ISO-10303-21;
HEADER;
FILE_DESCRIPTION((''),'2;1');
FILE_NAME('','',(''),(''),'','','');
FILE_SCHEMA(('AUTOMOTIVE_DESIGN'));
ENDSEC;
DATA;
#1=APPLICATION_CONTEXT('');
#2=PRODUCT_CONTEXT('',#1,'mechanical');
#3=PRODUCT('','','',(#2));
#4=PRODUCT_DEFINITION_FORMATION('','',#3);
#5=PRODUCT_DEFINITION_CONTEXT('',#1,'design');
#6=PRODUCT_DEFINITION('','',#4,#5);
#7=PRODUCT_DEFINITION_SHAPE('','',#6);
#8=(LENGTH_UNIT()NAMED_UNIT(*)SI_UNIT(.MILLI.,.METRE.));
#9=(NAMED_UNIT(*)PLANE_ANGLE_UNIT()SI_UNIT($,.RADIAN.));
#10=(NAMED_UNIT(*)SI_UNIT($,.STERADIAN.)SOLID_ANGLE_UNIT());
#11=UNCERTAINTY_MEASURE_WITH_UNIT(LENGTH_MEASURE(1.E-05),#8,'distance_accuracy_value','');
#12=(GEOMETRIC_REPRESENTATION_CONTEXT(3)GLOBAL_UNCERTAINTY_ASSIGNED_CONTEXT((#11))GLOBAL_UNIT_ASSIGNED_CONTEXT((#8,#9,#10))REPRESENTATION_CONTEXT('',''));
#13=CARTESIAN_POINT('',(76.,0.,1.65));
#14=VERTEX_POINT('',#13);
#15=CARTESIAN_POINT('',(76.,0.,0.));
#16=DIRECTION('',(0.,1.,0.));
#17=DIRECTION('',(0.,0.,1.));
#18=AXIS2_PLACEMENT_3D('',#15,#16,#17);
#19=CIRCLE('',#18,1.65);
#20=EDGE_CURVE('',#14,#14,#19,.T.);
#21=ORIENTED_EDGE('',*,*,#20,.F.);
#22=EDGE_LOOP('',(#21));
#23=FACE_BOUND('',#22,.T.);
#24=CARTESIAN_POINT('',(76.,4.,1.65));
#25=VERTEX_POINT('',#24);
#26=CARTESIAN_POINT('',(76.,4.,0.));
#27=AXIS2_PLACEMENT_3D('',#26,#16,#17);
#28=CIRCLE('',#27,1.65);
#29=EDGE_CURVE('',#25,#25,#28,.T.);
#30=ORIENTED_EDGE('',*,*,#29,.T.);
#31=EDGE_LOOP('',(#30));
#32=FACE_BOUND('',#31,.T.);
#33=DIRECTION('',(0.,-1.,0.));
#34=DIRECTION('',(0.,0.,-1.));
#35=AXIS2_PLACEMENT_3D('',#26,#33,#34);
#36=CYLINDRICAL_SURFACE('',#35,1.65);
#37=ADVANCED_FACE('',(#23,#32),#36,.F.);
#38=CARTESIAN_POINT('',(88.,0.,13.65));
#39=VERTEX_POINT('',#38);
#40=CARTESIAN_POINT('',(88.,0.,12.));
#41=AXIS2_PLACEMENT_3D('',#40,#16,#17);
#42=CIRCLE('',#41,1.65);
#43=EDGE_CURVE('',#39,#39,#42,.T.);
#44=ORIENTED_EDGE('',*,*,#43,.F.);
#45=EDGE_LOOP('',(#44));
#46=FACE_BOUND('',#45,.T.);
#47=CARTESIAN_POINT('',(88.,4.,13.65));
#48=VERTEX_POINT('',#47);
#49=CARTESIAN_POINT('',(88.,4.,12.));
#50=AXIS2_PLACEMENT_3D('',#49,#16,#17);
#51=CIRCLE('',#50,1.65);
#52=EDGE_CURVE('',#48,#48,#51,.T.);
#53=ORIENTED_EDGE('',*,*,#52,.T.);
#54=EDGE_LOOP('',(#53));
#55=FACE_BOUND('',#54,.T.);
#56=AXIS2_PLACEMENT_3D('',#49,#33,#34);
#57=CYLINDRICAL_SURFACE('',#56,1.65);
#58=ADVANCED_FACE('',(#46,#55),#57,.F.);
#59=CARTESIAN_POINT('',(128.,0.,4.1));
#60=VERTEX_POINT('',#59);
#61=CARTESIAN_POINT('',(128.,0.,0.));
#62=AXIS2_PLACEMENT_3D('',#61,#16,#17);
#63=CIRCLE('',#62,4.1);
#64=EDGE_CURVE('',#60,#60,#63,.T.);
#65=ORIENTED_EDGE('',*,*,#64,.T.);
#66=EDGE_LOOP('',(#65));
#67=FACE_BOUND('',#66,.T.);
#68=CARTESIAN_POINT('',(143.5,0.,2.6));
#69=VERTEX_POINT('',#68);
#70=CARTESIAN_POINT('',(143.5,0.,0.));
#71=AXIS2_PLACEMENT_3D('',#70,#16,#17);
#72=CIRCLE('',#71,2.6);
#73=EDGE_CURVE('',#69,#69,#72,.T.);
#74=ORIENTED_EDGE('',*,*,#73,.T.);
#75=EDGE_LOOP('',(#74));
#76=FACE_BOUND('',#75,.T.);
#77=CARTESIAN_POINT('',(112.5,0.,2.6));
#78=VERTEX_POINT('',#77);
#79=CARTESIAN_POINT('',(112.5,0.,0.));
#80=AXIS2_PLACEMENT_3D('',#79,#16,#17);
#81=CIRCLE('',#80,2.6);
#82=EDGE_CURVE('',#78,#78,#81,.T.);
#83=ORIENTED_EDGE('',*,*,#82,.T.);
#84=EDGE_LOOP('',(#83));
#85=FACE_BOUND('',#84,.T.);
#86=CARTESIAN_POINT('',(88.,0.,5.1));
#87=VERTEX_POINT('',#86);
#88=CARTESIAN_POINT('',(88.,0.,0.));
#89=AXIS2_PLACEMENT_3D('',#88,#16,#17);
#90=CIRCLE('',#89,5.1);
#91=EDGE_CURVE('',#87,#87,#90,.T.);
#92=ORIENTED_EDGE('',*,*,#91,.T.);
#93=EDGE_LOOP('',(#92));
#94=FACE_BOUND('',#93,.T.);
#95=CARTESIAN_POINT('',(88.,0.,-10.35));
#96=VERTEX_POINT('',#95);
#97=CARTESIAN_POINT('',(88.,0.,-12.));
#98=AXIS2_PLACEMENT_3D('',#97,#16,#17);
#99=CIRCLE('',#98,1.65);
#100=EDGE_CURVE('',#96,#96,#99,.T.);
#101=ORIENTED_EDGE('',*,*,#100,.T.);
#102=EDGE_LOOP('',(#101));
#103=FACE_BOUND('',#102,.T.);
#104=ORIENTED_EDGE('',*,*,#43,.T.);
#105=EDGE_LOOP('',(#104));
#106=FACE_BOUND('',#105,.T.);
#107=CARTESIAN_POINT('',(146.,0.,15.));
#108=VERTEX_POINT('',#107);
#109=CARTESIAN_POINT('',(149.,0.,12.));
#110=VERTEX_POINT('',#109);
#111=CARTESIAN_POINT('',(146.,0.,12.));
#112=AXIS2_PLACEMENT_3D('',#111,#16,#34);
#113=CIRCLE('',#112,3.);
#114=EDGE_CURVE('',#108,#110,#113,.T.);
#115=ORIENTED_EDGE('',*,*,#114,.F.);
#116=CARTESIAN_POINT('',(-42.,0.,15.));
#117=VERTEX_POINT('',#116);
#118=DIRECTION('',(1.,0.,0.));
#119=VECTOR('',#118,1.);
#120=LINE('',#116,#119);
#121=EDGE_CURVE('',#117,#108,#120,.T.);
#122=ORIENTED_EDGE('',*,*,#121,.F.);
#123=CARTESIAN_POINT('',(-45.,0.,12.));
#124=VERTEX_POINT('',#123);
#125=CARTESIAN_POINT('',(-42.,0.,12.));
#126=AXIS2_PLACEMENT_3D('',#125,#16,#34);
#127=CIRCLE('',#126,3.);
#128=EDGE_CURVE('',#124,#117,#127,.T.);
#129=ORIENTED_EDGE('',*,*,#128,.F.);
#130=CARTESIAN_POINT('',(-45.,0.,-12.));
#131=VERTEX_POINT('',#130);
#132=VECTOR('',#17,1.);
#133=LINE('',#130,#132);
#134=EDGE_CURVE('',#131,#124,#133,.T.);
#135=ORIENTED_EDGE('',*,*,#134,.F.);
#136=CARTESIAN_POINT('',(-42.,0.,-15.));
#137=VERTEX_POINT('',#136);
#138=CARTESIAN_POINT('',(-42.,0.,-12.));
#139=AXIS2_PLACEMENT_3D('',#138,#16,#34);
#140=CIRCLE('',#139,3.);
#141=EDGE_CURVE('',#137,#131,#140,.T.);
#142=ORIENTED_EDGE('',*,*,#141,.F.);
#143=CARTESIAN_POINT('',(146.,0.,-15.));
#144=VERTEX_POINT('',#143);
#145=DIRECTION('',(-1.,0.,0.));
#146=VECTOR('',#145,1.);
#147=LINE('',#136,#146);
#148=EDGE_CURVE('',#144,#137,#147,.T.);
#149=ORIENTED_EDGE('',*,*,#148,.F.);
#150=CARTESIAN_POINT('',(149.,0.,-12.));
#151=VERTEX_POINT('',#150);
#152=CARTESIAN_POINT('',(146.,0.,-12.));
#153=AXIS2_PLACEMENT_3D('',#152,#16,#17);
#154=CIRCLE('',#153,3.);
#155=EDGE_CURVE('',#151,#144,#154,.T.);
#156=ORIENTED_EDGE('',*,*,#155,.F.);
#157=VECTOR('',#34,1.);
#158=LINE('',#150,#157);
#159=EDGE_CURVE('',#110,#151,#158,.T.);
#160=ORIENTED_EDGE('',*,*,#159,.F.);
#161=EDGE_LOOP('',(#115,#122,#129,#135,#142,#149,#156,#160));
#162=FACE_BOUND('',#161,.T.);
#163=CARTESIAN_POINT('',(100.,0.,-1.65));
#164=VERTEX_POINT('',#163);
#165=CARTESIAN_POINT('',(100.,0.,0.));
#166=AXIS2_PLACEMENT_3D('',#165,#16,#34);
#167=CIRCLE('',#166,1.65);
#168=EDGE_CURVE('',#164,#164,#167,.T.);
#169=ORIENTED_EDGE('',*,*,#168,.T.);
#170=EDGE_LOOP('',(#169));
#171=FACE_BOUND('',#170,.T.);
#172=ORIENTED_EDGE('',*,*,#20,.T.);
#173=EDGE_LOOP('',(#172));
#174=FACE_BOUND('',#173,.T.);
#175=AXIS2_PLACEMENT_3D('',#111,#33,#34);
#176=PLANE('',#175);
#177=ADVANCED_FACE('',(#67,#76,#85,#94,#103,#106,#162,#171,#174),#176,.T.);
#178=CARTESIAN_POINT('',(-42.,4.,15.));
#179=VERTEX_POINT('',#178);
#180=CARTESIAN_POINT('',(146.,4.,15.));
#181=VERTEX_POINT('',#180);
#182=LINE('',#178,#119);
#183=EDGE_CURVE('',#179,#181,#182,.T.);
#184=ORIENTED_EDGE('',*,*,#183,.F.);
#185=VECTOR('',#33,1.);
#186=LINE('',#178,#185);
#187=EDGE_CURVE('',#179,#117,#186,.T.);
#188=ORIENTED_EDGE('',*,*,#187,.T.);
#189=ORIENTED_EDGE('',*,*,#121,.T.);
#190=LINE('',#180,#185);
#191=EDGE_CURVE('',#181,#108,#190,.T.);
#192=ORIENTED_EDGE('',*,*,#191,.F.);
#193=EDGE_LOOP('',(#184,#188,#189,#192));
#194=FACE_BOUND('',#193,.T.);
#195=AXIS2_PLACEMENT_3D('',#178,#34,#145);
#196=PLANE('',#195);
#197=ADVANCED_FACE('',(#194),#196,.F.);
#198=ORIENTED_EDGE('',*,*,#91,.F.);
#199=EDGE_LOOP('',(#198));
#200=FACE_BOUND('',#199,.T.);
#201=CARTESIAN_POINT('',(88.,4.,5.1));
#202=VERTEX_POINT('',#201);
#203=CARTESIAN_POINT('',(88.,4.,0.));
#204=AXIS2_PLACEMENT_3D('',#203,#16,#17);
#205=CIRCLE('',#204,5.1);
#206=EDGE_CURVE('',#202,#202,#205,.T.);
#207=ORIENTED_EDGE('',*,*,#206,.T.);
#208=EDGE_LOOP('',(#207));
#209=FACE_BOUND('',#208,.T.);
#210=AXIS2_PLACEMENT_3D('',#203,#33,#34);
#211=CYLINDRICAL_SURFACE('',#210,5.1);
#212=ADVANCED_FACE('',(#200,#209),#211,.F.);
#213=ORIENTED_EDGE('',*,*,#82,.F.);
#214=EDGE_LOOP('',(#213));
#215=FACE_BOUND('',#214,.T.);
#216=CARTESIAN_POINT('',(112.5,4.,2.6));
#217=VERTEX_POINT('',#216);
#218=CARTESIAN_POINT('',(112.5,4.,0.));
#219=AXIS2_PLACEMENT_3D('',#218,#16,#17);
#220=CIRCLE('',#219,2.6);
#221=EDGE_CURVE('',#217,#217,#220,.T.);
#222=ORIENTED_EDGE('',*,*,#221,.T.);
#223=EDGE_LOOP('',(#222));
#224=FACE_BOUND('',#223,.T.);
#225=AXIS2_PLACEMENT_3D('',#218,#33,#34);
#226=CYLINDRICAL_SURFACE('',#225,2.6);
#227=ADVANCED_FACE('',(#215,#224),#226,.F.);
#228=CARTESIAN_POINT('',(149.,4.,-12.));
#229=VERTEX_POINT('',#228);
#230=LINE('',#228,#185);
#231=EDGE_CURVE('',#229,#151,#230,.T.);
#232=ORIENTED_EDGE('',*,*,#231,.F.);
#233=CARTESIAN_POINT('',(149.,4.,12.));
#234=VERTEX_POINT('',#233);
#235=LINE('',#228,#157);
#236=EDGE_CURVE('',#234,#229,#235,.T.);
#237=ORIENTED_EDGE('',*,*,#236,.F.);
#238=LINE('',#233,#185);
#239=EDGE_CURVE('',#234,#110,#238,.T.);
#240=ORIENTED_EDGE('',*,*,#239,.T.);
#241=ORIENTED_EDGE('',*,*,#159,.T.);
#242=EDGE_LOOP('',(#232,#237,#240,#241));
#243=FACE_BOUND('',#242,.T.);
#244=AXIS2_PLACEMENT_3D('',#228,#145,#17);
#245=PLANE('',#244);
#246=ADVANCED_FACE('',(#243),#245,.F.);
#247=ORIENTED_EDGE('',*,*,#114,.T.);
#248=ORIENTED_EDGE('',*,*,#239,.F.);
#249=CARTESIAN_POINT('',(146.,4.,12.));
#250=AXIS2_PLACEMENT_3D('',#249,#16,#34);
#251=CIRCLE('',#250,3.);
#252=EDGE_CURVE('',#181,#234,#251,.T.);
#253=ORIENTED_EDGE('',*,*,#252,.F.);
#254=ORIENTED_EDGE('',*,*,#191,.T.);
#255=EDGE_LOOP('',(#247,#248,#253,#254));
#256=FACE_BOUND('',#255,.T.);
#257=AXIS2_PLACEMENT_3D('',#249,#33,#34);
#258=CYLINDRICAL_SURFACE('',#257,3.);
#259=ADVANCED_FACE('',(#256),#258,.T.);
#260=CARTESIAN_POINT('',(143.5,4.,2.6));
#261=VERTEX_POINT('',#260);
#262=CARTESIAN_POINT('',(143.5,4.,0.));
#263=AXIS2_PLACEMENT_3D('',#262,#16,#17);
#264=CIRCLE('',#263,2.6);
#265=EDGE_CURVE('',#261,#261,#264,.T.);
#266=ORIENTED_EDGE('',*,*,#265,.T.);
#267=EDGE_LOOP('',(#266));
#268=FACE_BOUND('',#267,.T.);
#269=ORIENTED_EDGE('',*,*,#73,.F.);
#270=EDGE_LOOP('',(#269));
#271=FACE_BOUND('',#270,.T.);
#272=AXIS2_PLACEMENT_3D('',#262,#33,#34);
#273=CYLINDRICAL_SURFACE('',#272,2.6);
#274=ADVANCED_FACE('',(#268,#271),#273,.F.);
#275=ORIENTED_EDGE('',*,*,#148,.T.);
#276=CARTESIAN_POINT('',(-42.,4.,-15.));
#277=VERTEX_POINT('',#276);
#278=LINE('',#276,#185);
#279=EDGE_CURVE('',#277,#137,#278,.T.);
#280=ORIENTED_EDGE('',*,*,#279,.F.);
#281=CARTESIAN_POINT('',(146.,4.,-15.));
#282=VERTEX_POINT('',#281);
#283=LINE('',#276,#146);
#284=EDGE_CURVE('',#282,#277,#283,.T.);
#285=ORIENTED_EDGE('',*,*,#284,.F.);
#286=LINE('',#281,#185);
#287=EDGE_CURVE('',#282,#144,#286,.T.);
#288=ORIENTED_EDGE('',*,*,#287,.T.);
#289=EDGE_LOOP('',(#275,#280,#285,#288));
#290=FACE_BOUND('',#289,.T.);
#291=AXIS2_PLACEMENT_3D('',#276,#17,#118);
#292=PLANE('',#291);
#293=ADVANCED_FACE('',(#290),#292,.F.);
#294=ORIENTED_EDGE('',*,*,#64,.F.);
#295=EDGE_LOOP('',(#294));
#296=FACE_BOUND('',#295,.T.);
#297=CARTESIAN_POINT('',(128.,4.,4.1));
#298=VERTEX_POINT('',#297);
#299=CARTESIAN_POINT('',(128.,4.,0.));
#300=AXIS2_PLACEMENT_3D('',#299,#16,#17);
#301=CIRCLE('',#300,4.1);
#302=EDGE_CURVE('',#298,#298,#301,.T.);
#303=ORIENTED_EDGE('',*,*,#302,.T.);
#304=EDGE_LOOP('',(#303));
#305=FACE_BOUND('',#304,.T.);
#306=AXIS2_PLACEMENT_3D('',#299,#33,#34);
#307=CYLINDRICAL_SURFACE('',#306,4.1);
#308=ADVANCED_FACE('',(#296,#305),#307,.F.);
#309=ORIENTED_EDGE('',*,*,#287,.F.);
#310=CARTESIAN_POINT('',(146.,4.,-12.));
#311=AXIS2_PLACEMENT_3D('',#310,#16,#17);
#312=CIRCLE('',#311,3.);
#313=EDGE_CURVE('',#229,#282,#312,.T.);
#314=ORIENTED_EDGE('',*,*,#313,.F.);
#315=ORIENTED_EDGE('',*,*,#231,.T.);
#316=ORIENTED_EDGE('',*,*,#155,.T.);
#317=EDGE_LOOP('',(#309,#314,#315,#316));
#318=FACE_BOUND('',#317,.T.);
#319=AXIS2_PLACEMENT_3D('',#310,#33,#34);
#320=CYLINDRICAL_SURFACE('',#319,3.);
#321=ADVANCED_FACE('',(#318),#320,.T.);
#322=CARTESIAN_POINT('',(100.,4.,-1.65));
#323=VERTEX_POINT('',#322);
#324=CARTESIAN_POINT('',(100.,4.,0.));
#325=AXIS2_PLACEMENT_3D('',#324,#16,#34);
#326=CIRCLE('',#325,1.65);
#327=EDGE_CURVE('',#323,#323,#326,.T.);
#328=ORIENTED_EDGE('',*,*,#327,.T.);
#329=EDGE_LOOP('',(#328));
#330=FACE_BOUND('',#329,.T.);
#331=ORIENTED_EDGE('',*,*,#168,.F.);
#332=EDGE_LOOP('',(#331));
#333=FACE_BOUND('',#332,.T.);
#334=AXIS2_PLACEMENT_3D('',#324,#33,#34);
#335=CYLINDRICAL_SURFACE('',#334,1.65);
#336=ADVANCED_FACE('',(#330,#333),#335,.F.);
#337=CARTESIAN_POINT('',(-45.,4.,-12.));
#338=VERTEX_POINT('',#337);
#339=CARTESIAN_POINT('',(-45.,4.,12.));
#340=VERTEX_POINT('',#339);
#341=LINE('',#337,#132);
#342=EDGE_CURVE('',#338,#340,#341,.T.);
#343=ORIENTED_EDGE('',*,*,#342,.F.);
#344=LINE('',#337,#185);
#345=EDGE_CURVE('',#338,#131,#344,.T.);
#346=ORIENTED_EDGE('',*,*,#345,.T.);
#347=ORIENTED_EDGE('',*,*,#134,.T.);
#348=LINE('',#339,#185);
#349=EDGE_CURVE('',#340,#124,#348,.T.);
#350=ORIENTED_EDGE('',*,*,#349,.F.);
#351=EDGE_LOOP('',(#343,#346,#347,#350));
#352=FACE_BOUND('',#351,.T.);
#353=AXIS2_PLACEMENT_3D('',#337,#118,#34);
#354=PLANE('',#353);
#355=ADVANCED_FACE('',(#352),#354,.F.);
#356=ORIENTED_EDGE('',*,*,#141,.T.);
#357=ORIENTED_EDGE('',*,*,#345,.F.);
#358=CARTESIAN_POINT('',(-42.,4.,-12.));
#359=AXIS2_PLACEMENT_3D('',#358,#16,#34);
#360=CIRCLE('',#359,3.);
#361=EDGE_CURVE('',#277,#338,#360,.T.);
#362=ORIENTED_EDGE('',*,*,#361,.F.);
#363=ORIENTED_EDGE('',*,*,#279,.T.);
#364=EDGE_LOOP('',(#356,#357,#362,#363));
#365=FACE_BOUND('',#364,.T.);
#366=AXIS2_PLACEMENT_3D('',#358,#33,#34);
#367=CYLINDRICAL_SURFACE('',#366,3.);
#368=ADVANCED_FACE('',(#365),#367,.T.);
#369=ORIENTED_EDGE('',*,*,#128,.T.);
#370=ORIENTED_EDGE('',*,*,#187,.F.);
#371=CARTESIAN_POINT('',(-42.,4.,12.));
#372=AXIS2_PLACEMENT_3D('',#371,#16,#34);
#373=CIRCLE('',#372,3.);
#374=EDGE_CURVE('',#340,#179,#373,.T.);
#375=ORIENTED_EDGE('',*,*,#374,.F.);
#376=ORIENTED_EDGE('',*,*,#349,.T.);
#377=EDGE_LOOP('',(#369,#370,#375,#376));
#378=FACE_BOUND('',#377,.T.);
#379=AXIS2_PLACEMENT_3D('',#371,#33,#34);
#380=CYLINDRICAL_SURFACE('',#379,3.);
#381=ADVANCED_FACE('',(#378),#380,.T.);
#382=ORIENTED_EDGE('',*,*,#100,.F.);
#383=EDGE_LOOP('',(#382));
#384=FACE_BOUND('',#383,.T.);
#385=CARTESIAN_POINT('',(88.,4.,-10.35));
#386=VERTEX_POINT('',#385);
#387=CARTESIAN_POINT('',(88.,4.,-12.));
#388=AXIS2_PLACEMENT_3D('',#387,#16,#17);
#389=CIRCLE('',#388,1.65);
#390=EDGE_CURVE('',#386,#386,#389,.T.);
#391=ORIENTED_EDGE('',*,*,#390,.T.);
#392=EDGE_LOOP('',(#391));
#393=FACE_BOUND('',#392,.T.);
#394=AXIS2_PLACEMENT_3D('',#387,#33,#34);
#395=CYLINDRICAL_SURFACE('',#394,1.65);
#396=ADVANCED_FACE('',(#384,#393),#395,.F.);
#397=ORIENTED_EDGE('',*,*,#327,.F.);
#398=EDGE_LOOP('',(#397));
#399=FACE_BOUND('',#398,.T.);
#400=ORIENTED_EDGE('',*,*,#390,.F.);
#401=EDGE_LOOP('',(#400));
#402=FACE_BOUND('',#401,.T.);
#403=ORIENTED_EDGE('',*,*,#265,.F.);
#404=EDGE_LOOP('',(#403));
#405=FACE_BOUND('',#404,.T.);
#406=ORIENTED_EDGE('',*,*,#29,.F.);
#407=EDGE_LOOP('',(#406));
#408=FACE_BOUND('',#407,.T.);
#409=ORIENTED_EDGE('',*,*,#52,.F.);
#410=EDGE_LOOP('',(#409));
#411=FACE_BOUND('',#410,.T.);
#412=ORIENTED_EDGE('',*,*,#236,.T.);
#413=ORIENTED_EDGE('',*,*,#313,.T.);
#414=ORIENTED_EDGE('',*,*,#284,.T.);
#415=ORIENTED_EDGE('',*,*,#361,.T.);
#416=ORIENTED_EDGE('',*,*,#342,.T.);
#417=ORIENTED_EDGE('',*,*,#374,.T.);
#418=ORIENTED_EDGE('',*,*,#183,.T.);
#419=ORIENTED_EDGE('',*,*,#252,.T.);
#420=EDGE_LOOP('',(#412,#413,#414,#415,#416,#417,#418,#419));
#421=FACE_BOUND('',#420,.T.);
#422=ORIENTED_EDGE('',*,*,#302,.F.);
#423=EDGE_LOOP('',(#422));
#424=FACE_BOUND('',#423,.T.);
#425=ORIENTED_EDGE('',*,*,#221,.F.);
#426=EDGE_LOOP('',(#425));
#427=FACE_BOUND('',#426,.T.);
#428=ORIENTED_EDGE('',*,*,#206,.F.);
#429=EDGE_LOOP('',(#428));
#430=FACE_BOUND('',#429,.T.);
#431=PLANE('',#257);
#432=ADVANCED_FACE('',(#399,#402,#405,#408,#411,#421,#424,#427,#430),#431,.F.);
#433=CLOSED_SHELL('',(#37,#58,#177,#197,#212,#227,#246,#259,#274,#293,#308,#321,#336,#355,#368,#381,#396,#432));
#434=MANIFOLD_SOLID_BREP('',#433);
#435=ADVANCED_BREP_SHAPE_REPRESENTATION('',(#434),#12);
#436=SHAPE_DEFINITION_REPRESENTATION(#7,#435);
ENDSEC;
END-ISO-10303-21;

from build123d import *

# Parameters (mm, degrees)
SKETCH_2_R      = 5.1
SKETCH_2_R_2    = 4.1
SKETCH_2_R_3    = 1.65
SKETCH_2_R_4    = 2.6
EXTRUDE_2_DEPTH = 4


with BuildPart() as part:
    # 草图2 → 凸台-拉伸2 (new body)
    with BuildSketch(Plane(origin=(0, 0, 0), x_dir=(1, 0, 0), z_dir=(0, 1, 0))):
        with BuildLine():
            Line((-42, 15), (146, 15))
            ThreePointArc((146, 15), (148.121320344, 14.121320344), (149, 12))
            Line((149, 12), (149, -12))
            ThreePointArc((149, -12), (148.121320344, -14.121320344), (146, -15))
            Line((146, -15), (-42, -15))
            ThreePointArc((-42, -15), (-44.121320344, -14.121320344), (-45, -12))
            Line((-45, -12), (-45, 12))
            ThreePointArc((-45, 12), (-44.121320344, 14.121320344), (-42, 15))
        make_face()
        with Locations(Location((88, 0, 0), (0, 0, 270))):
            Circle(SKETCH_2_R, mode=Mode.SUBTRACT)
        with Locations(Location((128, 0, 0), (0, 0, 270))):
            Circle(SKETCH_2_R_2, mode=Mode.SUBTRACT)
        with Locations(Location((88, 12, 0), (0, 0, 270))):
            Circle(SKETCH_2_R_3, mode=Mode.SUBTRACT)
        with Locations(Location((88, -12, 0), (0, 0, 270))):
            Circle(SKETCH_2_R_3, mode=Mode.SUBTRACT)
        with Locations(Location((76, 0, 0), (0, 0, 270))):
            Circle(SKETCH_2_R_3, mode=Mode.SUBTRACT)
        with Locations(Location((100, 0, 0), (0, 0, 90))):
            Circle(SKETCH_2_R_3, mode=Mode.SUBTRACT)
        with Locations(Location((143.5, 0, 0), (0, 0, 270))):
            Circle(SKETCH_2_R_4, mode=Mode.SUBTRACT)
        with Locations(Location((112.5, 0, 0), (0, 0, 270))):
            Circle(SKETCH_2_R_4, mode=Mode.SUBTRACT)
    extrude(amount=EXTRUDE_2_DEPTH)


solid = part.part
